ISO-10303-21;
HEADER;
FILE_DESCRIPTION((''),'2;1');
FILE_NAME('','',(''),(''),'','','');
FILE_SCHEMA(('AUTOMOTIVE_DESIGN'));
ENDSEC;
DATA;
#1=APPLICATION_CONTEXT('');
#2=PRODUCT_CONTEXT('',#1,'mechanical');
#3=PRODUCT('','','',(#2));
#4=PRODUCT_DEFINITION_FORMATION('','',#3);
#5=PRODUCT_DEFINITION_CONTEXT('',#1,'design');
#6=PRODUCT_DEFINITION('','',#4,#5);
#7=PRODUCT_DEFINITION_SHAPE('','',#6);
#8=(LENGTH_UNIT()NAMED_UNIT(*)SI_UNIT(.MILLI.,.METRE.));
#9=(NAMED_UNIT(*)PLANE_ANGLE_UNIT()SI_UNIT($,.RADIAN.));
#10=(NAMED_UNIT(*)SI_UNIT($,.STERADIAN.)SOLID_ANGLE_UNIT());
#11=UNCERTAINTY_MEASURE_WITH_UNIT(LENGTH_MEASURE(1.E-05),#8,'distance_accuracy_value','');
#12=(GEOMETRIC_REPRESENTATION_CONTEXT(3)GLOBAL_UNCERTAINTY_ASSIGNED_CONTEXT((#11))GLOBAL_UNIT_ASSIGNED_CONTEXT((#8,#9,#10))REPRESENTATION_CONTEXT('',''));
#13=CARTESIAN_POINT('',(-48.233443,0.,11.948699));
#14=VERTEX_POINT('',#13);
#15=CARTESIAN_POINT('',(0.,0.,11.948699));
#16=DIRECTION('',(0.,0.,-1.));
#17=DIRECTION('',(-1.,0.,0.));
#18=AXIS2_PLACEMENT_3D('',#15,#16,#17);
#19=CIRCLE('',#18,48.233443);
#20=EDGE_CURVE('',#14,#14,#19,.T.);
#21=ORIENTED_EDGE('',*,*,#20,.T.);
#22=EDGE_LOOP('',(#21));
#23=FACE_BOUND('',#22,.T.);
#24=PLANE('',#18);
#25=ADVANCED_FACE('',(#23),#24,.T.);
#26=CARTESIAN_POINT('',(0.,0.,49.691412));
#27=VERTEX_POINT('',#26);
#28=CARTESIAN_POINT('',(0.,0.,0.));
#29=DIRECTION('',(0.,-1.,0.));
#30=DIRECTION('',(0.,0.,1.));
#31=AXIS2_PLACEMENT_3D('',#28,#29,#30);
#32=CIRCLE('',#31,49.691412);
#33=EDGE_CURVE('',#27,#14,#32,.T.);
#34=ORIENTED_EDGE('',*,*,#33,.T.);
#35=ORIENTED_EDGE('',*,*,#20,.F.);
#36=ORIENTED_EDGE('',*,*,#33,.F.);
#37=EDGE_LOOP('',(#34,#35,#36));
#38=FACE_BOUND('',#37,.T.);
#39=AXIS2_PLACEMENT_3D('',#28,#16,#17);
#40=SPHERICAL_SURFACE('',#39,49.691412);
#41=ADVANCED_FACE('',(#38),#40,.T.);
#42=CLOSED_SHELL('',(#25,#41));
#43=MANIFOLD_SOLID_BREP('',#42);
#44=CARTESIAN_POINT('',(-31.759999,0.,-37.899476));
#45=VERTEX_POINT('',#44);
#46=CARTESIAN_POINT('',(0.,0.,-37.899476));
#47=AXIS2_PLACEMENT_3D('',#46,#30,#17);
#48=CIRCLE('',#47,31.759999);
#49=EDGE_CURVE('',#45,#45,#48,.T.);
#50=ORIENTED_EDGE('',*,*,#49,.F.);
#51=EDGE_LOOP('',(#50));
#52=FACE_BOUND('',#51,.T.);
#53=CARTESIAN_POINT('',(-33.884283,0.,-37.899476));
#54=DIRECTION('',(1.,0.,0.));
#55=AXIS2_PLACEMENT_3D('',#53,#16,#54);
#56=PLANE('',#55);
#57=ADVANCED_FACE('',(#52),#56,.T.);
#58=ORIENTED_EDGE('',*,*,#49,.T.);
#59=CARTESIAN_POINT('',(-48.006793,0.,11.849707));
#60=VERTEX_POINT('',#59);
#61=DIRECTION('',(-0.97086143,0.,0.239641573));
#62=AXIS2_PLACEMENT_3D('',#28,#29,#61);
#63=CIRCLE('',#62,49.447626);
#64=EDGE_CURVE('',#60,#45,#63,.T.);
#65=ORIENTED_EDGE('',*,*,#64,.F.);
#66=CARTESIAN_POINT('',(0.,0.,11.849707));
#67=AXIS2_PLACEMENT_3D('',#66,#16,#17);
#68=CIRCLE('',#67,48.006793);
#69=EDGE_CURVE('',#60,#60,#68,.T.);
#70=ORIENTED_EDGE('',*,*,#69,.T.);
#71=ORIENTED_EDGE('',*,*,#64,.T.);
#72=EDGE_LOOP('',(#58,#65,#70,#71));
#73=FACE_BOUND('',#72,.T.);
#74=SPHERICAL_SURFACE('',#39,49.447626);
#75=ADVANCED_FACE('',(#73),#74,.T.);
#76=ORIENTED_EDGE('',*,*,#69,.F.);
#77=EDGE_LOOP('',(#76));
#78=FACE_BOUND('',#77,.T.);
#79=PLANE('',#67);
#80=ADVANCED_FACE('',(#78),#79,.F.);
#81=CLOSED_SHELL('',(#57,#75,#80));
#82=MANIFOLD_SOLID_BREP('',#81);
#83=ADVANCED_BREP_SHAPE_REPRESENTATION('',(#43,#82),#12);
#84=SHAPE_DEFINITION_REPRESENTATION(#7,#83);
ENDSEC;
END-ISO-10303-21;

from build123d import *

# Parameters (mm, degrees)
F4_W          = 68.7478817999
F4_H          = 17.0400701463
F5_DEPTH      = 52.53746
F5_DEPTH_BACK = 51.57175


with BuildPart() as f1:
    # F0 (on Front) → F1 (revolve)
    with BuildSketch(Plane.XZ):
        with BuildLine():
            Line((0, 11.9486989786), (0, 49.6914120428))
            ThreePointArc((0, 49.6914120428), (-30.6226117966, 39.1342826377), (-48.2334429989, 11.9486989786))
            Line((-48.2334429989, 11.9486989786), (0, 11.9486989786))
        make_face()
    revolve(axis=Axis((0, 0, 30.8200555107), (0, 0, -1)))


with BuildPart() as f3:
    # F2 (on Front) → F3 (revolve)
    with BuildSketch(Plane.XZ):
        with BuildLine():
            ThreePointArc((-48.0067932728, 11.8497069925), (-38.9294723854, -30.4887509738), (0, -49.4476263955))
            Line((0, -49.4476263955), (0, 11.8497069925))
            Line((0, 11.8497069925), (-48.0067932728, 11.8497069925))
        make_face()
    revolve(axis=Axis((0, 0, -18.7989597015), (0, 0, -1)))

    # F4 (on Front) → F5 (cut, two sides)
    with BuildSketch(Plane.XZ) as f5_sk:
        with Locations((0.4896577448, -46.4195106179)):
            Rectangle(F4_W, F4_H)
    extrude(amount=-F5_DEPTH, mode=Mode.SUBTRACT)
    extrude(f5_sk.sketch, amount=F5_DEPTH_BACK, mode=Mode.SUBTRACT)


solid = Compound([f1.part, f3.part])
